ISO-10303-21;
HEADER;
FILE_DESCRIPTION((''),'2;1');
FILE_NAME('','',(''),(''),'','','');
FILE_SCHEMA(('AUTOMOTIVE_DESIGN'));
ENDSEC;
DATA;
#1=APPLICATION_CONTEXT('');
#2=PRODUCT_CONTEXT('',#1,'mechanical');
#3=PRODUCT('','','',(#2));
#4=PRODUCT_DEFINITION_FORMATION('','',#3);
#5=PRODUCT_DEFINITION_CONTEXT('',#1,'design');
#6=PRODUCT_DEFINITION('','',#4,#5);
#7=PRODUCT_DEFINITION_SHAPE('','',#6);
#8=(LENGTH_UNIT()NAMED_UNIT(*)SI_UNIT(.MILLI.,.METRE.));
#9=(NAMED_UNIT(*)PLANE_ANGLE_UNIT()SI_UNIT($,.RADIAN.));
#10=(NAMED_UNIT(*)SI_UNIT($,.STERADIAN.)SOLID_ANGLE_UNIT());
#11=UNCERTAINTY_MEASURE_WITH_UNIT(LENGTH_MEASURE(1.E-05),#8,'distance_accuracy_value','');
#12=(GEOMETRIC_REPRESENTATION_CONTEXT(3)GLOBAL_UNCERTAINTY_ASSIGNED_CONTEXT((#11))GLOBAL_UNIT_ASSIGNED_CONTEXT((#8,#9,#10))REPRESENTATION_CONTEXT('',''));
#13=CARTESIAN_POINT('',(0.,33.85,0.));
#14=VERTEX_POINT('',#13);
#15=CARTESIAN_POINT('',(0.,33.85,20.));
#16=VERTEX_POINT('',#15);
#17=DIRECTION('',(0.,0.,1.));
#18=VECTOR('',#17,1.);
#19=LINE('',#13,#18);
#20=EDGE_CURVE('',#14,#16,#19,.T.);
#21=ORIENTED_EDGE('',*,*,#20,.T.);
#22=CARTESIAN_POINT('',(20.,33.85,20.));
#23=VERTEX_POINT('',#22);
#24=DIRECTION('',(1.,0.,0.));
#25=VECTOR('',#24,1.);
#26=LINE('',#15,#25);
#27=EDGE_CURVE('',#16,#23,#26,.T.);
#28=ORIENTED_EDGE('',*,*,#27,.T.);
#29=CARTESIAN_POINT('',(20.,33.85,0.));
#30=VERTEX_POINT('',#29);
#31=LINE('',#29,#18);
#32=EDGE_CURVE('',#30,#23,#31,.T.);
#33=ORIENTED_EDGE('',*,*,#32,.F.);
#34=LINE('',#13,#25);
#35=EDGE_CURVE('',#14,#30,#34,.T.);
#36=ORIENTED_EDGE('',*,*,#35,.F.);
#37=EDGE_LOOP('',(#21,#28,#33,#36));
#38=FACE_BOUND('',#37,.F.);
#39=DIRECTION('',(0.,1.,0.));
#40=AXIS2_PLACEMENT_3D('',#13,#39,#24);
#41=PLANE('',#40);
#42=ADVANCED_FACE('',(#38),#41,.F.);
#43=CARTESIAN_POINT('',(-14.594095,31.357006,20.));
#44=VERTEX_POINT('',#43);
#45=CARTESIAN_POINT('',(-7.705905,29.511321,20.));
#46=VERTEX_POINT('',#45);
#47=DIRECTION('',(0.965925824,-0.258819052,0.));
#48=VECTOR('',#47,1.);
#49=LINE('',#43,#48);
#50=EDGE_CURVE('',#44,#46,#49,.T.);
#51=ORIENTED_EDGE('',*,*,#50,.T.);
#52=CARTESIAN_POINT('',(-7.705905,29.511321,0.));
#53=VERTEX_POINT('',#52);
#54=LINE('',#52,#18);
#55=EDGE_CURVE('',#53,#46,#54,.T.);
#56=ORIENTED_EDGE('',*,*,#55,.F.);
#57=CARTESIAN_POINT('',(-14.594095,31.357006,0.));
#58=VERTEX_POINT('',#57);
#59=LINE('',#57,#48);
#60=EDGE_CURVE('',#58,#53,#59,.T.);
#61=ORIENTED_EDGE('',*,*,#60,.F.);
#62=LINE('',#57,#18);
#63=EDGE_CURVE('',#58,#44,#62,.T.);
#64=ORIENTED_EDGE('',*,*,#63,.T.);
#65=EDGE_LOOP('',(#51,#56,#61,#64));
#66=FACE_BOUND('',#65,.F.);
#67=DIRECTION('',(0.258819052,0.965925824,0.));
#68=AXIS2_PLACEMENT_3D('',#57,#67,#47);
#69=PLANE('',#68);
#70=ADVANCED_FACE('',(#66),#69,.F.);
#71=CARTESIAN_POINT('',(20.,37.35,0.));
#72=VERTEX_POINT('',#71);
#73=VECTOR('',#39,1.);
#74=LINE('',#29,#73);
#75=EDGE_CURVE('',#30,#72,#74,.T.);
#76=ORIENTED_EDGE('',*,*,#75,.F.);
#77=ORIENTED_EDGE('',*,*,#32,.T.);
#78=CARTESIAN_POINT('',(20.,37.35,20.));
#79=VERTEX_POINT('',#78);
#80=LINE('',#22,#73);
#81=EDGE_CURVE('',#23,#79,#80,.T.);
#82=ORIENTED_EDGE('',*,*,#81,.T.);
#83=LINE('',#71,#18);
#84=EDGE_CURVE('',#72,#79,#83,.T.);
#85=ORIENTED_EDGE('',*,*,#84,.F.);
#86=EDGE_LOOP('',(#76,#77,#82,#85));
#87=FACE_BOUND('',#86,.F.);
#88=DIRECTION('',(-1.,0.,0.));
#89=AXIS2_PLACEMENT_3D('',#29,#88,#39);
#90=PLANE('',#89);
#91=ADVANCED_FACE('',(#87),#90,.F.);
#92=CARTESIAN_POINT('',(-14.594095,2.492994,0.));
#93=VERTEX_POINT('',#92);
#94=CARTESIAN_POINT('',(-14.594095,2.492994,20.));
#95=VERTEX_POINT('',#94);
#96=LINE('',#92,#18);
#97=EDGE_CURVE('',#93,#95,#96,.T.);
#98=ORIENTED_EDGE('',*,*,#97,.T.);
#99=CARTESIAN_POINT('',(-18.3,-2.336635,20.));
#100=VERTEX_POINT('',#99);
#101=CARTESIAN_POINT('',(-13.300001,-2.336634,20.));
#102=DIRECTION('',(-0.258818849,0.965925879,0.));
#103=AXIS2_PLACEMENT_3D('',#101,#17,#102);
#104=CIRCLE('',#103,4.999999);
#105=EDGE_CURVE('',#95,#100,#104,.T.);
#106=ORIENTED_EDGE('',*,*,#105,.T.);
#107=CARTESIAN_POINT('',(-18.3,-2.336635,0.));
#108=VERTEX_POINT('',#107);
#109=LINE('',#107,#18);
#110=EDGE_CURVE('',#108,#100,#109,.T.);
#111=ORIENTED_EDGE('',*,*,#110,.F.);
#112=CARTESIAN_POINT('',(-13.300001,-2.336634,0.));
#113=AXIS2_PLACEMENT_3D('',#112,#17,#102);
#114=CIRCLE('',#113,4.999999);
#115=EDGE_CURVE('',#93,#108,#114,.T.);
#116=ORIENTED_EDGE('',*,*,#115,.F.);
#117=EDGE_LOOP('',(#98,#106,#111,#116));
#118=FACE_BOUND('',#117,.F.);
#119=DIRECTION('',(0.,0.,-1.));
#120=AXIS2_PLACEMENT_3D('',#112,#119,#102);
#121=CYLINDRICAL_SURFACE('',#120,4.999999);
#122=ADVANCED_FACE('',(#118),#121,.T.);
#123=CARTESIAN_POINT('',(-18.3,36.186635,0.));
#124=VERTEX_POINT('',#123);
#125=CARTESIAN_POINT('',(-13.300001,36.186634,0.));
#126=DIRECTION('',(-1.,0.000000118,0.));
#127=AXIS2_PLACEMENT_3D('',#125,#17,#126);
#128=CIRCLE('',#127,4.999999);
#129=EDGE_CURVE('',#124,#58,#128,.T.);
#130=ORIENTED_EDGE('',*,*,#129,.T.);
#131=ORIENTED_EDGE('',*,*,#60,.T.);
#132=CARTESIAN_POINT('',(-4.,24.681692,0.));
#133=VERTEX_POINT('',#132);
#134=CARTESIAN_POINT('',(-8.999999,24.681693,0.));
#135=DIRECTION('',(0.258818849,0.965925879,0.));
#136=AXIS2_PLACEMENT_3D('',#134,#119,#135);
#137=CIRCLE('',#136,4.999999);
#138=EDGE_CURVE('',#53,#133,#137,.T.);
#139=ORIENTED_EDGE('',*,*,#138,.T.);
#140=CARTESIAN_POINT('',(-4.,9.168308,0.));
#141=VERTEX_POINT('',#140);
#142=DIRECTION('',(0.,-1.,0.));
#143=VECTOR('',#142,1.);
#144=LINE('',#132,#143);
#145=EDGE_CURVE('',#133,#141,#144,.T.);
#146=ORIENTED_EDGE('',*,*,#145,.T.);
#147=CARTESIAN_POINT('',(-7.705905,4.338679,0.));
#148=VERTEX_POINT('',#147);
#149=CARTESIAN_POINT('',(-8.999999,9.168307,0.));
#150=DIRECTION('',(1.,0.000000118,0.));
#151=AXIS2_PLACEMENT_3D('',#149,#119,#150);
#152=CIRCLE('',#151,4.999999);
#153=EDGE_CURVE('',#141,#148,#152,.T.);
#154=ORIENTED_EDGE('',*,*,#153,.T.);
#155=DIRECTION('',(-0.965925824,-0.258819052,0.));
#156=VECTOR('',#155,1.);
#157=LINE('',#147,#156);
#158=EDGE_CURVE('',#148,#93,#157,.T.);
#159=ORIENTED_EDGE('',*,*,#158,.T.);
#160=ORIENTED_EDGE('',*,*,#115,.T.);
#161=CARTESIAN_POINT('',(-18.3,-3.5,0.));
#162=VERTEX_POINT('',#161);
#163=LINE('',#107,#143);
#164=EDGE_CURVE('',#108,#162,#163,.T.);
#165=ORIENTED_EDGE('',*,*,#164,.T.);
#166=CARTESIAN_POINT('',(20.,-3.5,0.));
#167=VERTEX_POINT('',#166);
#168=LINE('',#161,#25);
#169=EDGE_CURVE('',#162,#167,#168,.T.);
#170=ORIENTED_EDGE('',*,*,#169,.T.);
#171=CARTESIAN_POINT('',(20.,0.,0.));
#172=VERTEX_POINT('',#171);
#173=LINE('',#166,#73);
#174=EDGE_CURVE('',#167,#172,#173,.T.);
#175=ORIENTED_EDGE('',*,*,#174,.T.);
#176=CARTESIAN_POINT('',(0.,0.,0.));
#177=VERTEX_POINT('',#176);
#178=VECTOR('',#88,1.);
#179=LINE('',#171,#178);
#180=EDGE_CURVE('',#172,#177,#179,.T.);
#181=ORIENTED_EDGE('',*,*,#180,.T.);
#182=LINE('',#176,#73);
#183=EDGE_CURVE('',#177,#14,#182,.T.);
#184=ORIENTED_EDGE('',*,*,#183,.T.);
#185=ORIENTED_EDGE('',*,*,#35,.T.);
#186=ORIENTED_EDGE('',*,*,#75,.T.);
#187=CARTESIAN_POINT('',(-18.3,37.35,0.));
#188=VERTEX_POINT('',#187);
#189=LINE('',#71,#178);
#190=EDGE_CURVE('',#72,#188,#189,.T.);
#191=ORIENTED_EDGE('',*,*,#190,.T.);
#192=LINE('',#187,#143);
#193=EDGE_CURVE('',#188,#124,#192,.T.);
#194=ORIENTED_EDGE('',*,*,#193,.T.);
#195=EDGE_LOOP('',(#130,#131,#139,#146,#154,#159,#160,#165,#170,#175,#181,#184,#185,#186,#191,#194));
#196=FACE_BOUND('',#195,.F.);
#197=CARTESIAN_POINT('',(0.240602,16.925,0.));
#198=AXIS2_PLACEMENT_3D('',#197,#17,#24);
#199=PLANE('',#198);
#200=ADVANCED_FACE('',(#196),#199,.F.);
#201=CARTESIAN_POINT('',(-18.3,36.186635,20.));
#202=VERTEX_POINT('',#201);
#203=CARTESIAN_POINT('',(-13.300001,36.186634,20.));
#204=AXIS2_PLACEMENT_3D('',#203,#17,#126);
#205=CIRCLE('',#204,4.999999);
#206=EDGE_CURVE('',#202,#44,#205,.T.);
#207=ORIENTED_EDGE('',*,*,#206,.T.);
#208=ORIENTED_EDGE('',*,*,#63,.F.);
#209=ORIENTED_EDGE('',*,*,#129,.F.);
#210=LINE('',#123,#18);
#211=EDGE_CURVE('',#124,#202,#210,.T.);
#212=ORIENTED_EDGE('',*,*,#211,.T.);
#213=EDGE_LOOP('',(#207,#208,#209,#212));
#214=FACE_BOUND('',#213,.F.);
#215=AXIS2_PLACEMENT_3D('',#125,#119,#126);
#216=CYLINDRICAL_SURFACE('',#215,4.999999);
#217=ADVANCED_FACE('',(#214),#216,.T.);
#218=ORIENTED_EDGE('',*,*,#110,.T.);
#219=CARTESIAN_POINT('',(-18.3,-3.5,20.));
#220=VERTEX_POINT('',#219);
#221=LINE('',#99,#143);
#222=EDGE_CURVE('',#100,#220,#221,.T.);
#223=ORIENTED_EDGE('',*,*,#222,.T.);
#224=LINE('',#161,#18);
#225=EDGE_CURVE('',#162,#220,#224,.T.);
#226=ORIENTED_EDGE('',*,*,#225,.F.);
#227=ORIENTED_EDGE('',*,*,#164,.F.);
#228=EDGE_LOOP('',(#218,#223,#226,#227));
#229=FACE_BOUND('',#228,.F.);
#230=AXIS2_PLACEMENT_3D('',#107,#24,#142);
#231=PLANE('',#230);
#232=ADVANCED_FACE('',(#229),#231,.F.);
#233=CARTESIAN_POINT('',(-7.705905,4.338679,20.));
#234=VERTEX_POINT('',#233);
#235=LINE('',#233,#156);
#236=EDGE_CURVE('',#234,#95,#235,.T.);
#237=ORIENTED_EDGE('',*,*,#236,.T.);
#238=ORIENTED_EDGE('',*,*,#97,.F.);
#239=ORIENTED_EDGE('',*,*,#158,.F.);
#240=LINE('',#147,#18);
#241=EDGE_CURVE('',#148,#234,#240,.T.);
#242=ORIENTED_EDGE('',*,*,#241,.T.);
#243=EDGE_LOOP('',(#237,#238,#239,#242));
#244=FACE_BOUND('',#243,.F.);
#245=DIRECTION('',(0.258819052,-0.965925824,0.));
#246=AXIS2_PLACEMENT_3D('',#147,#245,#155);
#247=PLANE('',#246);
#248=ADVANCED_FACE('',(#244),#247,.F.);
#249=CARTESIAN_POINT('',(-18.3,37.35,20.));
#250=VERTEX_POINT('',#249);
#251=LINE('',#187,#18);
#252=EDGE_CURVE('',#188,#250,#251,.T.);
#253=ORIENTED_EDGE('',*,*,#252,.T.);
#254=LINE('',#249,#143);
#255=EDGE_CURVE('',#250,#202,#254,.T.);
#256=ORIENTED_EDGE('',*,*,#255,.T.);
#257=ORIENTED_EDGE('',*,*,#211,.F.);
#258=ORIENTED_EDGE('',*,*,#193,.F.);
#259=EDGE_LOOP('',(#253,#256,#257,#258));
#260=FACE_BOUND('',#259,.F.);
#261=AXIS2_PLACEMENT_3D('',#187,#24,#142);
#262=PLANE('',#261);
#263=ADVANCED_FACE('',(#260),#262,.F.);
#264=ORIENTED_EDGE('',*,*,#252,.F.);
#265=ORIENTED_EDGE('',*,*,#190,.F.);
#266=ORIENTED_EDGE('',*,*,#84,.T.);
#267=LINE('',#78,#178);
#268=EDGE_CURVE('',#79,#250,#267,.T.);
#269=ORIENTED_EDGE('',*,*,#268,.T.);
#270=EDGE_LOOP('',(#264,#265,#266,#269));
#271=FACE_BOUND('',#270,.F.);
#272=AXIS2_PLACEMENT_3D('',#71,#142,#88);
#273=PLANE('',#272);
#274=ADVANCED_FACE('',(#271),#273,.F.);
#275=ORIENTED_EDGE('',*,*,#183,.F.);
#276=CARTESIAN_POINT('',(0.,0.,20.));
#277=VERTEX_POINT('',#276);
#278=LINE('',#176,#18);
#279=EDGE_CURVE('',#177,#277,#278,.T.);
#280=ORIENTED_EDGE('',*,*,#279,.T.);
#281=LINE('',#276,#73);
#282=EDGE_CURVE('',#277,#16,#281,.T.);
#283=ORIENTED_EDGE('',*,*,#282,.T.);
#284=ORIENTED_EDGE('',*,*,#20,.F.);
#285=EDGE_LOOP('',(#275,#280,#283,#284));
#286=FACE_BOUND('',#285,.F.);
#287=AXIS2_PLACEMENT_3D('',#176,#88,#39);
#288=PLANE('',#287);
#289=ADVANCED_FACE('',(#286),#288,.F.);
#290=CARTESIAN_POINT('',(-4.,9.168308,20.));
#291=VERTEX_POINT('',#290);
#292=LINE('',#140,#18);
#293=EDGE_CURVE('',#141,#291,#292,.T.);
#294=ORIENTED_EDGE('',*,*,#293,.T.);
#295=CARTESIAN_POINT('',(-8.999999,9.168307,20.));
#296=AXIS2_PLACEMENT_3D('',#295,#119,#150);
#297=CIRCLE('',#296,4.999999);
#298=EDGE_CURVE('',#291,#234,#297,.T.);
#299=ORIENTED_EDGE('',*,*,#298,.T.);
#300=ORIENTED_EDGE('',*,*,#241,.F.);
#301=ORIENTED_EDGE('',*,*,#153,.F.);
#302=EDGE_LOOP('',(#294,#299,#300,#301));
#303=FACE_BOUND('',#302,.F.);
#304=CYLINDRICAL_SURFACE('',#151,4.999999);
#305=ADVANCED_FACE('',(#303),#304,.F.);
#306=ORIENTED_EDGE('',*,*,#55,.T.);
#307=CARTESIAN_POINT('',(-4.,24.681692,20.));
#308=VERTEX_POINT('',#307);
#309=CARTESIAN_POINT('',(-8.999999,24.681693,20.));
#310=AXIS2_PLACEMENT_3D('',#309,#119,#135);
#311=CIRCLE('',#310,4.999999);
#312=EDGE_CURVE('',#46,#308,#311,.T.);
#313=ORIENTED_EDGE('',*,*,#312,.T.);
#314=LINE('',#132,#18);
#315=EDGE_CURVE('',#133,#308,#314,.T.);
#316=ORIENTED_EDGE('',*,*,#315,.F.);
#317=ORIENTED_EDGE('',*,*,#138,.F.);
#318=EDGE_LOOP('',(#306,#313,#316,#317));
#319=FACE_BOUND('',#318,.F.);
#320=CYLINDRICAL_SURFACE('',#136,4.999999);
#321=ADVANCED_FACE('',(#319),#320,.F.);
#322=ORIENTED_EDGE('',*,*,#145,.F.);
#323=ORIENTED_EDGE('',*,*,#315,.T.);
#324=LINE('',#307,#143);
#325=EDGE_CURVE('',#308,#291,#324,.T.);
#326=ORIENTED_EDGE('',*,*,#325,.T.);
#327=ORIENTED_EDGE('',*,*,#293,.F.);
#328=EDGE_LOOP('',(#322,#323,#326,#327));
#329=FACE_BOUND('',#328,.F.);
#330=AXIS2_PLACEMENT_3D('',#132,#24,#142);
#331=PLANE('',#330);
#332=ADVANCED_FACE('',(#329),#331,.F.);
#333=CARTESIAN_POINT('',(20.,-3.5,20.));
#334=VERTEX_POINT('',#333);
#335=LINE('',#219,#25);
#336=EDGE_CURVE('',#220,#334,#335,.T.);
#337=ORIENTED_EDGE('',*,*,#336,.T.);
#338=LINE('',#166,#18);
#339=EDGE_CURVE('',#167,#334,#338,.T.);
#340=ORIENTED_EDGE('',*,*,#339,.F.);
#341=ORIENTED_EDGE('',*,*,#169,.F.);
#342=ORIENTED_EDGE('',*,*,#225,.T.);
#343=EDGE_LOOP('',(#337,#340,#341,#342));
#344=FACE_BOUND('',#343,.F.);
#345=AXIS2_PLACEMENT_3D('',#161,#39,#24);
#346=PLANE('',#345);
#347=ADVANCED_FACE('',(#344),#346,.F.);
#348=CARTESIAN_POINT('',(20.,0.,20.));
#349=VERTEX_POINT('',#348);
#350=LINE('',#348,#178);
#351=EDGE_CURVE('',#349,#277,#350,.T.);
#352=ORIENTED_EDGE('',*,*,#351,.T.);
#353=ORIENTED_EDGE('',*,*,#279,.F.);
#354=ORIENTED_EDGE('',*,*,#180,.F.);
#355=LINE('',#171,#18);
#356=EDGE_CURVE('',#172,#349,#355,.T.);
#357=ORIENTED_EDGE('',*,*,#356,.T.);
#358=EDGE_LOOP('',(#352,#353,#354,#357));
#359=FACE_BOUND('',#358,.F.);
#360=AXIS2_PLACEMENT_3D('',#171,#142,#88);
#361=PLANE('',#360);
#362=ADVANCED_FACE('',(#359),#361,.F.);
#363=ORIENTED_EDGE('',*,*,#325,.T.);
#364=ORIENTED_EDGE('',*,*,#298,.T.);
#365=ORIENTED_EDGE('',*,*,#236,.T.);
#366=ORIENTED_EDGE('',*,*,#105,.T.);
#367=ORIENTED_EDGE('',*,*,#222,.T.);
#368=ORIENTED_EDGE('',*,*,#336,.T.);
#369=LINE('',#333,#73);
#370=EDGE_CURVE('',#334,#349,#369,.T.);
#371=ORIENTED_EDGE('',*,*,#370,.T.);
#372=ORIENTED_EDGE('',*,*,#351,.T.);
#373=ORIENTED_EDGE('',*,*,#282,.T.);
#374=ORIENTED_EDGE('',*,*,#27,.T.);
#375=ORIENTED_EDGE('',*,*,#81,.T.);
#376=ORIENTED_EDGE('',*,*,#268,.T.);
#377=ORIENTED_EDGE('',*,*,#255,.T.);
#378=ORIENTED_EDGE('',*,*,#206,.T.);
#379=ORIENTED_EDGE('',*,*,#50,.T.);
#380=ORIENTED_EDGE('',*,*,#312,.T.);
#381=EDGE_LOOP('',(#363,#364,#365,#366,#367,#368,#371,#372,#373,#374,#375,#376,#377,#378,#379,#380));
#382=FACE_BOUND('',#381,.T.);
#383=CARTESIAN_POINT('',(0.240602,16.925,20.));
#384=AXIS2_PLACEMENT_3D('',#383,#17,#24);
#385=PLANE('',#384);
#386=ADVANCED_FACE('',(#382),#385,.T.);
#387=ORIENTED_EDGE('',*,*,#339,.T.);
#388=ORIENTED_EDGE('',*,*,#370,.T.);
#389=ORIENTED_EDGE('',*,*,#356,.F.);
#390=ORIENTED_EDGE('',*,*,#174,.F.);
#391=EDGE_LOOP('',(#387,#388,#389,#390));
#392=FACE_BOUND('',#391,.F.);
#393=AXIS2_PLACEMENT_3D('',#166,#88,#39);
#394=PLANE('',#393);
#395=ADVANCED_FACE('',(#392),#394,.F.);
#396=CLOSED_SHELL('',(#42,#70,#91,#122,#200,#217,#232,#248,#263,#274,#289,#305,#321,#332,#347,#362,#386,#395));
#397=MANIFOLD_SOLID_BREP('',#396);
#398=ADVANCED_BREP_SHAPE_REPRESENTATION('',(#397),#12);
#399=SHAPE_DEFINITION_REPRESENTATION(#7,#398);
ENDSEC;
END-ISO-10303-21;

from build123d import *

# Parameters (mm, degrees)
F1_DEPTH = 20


with BuildPart() as f1:
    # F0 (on Top) → F1 (new body)
    with BuildSketch(Plane.XY):
        with BuildLine():
            Line((20, -3.5), (20, 0))
            Line((20, 0), (0, 0))
            Line((0, 0), (0, 33.85))
            Line((0, 33.85), (20, 33.85))
            Line((20, 33.85), (20, 37.35))
            Line((20, 37.35), (-18.3, 37.35))
            Line((-18.3, 37.35), (-18.3, 36.186635))
            ThreePointArc((-18.3, 36.186635), (-17.266767, 33.142828), (-14.594095, 31.357006))
            Line((-14.594095, 31.357006), (-7.705905, 29.511321))
            ThreePointArc((-7.705905, 29.511321), (-5.033233, 27.725499), (-4, 24.681692))
            Line((-4, 24.681692), (-4, 16.925))
            Line((-4, 16.925), (-4, 9.168308))
            ThreePointArc((-4, 9.168308), (-5.033233, 6.124501), (-7.705905, 4.338679))
            Line((-7.705905, 4.338679), (-14.594095, 2.492994))
            ThreePointArc((-14.594095, 2.492994), (-17.266767, 0.707172), (-18.3, -2.336635))
            Line((-18.3, -2.336635), (-18.3, -3.5))
            Line((-18.3, -3.5), (20, -3.5))
        make_face()
    extrude(amount=F1_DEPTH)


solid = f1.part
